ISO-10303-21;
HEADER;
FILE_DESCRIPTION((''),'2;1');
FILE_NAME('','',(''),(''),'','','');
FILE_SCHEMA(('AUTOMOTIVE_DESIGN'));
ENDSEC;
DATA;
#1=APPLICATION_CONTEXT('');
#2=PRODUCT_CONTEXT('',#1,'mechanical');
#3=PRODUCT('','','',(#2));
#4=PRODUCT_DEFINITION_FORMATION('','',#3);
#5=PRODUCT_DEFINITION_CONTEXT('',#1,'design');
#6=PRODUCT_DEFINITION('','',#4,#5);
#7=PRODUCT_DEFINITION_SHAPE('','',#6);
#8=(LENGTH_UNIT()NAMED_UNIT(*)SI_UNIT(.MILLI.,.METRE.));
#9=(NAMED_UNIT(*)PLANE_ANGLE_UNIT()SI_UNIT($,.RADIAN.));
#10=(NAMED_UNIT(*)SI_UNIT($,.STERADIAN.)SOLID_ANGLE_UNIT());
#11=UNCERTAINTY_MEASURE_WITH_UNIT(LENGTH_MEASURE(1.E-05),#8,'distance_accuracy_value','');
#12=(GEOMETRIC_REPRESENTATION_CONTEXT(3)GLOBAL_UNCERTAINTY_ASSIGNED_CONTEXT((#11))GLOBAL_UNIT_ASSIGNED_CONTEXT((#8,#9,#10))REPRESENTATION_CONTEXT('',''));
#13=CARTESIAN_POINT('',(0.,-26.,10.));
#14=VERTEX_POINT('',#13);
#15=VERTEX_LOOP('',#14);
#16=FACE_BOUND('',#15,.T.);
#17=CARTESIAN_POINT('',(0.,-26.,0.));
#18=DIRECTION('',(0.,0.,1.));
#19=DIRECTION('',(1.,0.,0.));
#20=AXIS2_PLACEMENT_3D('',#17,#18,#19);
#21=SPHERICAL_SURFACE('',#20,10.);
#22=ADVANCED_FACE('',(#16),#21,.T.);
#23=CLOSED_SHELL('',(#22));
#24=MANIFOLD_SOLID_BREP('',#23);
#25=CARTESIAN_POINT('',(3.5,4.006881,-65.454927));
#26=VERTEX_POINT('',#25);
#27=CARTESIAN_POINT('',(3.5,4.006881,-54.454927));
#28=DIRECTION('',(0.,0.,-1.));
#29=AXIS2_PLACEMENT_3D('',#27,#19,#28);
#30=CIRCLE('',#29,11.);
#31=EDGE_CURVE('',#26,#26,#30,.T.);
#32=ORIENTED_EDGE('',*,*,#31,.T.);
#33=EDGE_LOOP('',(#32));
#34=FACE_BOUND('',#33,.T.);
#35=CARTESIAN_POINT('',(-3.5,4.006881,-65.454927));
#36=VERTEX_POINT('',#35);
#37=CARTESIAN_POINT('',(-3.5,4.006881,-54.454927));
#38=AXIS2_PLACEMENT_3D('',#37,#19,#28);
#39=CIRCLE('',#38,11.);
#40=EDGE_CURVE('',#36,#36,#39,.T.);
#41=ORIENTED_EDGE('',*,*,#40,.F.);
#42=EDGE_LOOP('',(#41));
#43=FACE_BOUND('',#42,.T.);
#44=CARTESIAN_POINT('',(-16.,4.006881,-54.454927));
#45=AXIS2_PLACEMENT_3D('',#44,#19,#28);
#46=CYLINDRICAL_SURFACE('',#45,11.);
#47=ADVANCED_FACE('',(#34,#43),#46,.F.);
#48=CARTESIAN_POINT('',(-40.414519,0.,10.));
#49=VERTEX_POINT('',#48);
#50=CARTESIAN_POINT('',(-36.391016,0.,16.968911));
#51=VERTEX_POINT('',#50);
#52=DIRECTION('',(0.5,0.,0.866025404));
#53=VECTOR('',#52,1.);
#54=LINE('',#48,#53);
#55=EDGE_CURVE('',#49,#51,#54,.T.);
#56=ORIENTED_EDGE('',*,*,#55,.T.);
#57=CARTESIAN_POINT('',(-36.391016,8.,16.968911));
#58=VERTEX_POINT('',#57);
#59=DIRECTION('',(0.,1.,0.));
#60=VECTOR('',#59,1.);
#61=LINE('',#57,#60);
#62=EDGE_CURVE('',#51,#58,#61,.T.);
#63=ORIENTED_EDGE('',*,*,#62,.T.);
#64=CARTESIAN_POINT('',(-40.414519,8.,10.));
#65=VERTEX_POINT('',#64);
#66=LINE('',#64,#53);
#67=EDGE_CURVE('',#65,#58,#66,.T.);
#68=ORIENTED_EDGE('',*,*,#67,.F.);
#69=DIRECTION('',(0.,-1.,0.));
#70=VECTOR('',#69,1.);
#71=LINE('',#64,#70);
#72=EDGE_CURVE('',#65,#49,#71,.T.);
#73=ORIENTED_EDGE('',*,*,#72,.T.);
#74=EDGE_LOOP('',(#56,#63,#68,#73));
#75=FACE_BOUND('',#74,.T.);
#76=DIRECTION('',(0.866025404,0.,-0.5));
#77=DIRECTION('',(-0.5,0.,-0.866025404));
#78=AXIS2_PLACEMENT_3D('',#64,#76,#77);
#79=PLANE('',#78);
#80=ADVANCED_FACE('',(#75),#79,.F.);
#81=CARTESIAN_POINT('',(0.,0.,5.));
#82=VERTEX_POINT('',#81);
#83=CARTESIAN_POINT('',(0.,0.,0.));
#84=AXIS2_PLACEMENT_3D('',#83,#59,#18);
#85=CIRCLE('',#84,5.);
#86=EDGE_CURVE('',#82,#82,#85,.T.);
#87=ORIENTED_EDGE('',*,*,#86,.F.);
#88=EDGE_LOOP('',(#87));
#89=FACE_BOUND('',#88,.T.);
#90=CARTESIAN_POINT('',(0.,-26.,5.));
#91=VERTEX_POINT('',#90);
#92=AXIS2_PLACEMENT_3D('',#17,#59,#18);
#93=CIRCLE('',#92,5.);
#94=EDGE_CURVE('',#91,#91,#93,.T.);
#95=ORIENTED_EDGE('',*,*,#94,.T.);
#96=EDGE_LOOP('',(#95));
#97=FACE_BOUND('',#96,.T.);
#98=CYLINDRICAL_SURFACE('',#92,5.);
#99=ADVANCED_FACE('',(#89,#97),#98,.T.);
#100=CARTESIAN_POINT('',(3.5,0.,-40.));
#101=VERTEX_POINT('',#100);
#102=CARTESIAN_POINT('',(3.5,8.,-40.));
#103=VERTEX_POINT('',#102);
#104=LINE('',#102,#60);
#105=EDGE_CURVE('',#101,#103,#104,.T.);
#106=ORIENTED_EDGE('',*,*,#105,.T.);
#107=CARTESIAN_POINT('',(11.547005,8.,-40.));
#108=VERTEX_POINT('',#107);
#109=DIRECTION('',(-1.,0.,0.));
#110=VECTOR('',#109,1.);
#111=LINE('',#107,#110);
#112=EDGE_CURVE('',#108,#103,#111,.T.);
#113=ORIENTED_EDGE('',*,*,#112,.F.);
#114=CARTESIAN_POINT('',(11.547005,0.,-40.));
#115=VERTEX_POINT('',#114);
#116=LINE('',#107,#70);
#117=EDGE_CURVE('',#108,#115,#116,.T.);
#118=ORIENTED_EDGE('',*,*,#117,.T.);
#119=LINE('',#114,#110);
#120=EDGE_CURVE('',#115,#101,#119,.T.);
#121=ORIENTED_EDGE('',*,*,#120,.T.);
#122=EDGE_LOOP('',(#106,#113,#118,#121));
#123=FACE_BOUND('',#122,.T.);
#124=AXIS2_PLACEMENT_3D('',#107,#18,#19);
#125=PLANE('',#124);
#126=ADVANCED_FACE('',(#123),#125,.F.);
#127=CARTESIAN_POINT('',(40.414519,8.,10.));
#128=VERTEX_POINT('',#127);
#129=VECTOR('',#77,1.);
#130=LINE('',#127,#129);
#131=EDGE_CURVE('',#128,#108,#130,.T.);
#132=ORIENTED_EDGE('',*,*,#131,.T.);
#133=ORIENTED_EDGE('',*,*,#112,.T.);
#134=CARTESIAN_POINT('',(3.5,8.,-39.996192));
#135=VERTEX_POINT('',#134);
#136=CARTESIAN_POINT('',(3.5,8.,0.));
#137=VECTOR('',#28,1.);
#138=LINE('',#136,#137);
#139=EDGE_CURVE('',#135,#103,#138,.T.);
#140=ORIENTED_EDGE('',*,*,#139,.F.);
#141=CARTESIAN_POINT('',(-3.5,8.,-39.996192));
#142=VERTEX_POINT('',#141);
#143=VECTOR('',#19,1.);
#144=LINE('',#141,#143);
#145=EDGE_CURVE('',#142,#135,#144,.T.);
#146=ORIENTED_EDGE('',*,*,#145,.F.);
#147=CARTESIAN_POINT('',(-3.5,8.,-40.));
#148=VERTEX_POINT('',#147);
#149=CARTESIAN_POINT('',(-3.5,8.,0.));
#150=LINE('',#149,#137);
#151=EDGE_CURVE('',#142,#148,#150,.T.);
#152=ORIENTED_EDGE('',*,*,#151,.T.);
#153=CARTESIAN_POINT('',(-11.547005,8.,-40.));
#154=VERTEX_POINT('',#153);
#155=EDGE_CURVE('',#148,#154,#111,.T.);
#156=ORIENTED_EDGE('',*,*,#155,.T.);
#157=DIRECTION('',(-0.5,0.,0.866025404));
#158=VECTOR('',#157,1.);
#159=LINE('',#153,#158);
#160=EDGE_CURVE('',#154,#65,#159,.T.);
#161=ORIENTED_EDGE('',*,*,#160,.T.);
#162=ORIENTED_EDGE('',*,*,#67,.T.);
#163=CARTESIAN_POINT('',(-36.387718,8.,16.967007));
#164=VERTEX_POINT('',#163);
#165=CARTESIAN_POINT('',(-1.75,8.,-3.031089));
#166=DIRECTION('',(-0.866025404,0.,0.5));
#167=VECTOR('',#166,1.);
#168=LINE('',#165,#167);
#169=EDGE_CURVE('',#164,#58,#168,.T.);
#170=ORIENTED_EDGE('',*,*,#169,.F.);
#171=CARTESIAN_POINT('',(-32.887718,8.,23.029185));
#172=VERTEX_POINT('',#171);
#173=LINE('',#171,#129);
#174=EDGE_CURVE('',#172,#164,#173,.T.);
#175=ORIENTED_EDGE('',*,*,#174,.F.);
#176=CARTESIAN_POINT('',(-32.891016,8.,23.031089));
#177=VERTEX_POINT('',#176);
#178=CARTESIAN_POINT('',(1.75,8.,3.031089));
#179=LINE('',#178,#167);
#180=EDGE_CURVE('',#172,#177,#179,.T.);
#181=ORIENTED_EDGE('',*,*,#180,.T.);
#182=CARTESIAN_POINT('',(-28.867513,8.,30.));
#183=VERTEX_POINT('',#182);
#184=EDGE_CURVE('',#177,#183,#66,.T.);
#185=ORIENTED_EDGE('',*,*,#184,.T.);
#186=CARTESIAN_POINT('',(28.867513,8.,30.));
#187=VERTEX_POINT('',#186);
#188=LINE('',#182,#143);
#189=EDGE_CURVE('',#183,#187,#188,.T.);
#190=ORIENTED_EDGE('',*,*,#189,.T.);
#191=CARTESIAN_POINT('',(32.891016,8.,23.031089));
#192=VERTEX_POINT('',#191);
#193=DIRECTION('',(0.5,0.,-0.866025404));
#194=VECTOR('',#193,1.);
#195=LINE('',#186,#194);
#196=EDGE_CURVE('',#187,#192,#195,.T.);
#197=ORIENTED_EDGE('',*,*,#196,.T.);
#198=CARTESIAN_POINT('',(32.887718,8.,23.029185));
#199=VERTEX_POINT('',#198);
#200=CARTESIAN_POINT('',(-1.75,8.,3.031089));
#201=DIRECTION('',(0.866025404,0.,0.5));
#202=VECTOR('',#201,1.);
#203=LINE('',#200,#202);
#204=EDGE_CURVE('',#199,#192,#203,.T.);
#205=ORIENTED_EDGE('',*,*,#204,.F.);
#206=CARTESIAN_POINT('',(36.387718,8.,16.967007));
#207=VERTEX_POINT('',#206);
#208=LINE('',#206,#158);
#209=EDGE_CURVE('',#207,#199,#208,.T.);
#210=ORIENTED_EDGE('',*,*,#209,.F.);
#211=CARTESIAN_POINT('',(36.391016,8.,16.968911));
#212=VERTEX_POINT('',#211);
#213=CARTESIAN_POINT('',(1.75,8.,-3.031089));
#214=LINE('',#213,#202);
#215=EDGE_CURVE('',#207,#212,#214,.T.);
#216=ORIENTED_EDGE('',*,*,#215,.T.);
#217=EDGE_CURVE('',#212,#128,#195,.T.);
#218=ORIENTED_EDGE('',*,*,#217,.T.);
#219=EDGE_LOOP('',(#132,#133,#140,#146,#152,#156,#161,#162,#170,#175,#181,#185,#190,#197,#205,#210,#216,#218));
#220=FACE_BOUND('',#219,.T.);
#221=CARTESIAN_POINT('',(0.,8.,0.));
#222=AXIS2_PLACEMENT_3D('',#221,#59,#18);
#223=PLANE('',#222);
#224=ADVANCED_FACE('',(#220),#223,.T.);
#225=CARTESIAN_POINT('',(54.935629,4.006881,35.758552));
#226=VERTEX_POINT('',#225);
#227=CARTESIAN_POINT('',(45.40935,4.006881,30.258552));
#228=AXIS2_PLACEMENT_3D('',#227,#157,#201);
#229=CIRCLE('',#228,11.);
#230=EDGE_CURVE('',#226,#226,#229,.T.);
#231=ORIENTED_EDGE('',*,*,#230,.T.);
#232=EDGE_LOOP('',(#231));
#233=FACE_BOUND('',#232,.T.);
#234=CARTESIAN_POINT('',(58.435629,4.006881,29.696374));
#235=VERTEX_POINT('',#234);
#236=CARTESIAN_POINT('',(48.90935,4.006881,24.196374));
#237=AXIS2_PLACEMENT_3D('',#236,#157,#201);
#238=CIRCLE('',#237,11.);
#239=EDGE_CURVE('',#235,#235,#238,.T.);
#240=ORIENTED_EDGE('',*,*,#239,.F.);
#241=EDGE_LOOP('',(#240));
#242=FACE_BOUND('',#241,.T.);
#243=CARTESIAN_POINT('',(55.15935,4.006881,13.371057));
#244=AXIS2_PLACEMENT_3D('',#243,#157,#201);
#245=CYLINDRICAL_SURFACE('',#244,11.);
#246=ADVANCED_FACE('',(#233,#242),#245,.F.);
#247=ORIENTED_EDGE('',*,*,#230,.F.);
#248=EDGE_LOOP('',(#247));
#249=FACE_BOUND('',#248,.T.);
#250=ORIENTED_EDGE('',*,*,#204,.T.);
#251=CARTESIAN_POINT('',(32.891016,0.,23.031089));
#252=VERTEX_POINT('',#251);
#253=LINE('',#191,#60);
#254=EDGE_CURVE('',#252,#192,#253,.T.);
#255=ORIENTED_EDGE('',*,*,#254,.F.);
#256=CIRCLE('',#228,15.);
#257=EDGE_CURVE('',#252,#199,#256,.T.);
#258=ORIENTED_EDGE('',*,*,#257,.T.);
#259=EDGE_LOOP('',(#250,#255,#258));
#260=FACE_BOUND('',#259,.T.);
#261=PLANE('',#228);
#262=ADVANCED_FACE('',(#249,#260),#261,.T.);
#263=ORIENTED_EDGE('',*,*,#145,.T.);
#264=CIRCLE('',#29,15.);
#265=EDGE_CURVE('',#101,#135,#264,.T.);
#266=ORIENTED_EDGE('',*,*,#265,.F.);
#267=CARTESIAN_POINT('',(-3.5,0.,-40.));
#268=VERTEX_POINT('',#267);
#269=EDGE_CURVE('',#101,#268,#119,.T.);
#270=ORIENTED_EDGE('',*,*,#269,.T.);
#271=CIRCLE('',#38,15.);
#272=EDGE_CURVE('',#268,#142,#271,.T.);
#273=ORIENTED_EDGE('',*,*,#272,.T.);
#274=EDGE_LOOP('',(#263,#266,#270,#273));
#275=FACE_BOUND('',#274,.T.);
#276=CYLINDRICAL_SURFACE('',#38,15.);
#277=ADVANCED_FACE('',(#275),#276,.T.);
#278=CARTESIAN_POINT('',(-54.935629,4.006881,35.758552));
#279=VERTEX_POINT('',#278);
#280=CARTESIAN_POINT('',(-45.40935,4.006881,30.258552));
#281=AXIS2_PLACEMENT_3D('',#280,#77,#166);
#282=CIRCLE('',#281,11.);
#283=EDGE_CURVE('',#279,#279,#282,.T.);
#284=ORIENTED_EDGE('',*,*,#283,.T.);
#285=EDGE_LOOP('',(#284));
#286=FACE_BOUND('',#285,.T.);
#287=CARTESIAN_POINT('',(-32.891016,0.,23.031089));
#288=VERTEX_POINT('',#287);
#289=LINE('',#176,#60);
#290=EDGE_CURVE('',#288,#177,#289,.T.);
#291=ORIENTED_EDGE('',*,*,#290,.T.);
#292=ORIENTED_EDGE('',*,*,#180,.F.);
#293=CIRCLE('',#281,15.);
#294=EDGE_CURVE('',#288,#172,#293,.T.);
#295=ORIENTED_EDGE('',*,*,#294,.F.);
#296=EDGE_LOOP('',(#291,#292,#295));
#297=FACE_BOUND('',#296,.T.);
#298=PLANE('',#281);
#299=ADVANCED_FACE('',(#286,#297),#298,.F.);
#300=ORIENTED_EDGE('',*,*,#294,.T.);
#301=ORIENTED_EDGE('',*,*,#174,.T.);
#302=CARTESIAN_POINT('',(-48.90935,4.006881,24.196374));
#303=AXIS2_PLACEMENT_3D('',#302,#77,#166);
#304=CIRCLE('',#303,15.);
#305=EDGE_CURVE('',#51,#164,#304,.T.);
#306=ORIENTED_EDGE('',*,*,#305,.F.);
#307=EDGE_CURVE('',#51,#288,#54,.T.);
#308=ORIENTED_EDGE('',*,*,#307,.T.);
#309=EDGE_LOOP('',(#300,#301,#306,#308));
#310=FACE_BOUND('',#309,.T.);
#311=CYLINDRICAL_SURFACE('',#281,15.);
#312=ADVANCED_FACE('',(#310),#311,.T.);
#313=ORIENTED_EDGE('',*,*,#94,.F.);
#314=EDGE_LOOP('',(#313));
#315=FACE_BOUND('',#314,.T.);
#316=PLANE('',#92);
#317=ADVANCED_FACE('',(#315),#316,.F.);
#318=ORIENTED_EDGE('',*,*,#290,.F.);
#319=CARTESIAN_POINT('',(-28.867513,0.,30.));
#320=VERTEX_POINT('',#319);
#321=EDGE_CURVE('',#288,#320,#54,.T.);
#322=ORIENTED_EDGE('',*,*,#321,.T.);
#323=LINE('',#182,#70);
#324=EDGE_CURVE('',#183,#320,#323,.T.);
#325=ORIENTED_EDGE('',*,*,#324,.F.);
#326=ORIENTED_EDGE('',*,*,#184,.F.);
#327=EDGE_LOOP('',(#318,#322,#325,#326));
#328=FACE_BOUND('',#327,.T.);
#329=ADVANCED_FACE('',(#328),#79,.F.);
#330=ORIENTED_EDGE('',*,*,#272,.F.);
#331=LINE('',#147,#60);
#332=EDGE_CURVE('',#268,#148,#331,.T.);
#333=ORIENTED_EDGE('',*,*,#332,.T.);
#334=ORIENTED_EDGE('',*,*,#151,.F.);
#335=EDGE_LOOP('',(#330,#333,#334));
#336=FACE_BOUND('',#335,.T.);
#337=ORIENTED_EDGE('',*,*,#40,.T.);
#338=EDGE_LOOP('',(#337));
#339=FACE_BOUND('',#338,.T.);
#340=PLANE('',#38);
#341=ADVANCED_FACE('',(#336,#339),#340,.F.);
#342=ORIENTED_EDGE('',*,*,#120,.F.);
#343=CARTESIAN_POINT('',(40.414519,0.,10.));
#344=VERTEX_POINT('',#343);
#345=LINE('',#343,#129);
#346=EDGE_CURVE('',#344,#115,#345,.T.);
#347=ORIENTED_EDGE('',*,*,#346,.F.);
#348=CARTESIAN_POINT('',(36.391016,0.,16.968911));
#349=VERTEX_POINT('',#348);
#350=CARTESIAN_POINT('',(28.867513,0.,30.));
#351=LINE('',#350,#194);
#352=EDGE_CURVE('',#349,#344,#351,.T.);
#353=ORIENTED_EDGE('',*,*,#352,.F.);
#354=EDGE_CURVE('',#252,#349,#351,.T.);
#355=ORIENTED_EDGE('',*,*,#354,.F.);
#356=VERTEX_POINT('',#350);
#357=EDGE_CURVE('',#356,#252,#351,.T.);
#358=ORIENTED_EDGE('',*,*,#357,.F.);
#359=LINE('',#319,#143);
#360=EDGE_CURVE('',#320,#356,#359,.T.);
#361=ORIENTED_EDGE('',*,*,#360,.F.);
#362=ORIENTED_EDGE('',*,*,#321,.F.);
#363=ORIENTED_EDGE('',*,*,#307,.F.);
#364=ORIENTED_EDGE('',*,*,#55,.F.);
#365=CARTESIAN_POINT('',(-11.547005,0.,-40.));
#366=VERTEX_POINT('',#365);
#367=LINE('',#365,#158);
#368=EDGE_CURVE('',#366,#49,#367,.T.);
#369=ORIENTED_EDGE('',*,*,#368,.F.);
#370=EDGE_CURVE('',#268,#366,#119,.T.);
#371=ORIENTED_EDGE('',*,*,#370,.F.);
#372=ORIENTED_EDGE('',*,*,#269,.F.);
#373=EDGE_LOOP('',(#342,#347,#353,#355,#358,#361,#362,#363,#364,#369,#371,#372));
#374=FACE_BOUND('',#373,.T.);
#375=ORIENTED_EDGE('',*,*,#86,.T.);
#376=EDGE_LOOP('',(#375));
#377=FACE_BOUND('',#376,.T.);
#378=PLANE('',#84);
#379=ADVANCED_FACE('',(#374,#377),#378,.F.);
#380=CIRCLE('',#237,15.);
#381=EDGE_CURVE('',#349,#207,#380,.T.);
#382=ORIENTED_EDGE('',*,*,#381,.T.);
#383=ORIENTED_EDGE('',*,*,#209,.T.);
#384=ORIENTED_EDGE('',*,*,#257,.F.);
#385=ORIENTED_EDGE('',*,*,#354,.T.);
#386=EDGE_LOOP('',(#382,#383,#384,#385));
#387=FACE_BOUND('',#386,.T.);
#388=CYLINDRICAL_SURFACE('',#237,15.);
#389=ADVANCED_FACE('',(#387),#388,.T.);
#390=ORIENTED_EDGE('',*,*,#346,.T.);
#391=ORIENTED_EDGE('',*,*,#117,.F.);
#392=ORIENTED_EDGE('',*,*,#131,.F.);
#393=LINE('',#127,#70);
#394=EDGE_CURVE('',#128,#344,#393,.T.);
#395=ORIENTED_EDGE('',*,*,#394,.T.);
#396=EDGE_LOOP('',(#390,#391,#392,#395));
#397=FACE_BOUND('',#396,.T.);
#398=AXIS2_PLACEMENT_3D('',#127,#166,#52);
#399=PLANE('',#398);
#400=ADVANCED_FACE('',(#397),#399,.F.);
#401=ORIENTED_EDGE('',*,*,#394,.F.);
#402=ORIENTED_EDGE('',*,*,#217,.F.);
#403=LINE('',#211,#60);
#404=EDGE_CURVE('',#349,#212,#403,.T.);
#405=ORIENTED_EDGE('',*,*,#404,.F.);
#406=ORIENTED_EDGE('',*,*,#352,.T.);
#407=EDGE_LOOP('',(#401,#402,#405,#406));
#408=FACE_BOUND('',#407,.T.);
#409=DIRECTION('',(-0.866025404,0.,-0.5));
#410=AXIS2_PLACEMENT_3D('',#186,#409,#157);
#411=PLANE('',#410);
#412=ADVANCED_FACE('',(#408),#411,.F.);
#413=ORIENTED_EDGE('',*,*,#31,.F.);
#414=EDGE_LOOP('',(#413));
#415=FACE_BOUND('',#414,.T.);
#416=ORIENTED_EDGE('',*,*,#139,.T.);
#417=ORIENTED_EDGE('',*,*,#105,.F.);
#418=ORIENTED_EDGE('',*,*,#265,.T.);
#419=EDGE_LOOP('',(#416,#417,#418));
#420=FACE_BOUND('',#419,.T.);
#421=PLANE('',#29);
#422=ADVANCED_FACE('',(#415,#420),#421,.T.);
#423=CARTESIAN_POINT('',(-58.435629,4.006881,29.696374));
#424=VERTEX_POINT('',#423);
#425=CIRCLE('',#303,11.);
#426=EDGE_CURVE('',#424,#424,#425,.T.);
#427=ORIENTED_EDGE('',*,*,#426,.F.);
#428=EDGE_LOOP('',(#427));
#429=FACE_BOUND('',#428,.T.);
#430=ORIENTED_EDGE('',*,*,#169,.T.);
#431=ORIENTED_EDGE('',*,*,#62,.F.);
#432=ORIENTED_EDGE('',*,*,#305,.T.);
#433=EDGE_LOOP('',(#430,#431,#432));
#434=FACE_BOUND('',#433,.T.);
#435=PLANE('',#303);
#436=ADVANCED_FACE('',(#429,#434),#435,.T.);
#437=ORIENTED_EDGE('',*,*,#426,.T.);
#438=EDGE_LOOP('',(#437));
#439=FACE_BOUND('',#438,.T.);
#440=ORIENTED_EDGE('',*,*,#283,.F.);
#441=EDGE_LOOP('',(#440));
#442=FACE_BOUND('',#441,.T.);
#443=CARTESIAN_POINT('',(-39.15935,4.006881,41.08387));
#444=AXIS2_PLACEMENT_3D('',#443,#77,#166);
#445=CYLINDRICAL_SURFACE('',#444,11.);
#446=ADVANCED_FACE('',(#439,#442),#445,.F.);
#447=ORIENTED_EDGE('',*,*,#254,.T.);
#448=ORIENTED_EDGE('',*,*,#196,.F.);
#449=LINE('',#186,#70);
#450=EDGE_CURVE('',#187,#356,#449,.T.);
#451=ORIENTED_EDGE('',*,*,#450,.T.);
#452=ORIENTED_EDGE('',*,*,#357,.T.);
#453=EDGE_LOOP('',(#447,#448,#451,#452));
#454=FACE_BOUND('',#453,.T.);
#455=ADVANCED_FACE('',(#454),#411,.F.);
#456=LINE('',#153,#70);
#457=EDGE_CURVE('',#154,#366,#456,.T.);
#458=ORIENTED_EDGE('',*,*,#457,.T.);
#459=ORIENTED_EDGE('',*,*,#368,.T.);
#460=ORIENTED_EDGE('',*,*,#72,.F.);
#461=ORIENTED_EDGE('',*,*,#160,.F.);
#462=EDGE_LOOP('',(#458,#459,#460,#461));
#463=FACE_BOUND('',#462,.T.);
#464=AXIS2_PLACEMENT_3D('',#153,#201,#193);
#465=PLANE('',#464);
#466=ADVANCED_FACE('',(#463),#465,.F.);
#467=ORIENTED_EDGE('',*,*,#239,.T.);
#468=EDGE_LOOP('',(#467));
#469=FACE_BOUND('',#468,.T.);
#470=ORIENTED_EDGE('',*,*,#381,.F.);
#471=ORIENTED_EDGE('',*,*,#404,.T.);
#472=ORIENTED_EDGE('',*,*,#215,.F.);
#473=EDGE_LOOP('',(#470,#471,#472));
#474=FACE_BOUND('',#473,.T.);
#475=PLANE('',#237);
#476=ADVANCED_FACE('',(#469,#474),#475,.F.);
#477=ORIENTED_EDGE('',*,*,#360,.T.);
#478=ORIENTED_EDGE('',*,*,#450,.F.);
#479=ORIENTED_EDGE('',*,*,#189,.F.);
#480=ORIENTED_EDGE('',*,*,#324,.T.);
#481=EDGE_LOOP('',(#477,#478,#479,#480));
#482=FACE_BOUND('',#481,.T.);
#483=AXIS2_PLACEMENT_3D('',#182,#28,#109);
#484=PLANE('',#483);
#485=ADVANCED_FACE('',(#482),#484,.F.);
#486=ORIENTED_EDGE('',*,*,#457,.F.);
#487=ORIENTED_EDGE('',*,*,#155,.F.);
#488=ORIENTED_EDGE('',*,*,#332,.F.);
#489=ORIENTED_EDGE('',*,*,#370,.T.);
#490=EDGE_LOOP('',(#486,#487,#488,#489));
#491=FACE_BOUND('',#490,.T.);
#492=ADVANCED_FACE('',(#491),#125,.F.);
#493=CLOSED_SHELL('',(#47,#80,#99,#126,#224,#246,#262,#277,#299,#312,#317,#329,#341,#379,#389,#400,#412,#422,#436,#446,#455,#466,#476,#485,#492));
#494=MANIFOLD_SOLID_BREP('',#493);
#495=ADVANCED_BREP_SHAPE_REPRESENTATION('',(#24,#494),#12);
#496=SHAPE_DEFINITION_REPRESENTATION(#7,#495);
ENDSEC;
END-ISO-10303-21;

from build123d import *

# Parameters (mm, degrees)
BOSS_EXTRUDE1_DEPTH      = 8
SKETCH2_R                = 5
CUT_EXTRUDE1_DEPTH       = 107
BOSS_EXTRUDE2_DEPTH      = 3.5
BOSS_EXTRUDE2_DEPTH_BACK = 3.5
SKETCH3_R                = 15
SKETCH4_R                = 11
CUT_EXTRUDE2_DEPTH       = 19.5
CIRPATTERN1_COUNT        = 3
SKETCH6_R                = 5
BOSS_EXTRUDE3_DEPTH      = 34


with BuildPart() as part:
    # Sketch1 → Boss-Extrude1 (new body)
    with BuildSketch(Plane(origin=(0, 0, 0), x_dir=(1, 0, 0), z_dir=(0, 1, 0))):
        Polygon((-11.547005384, 40), (-40.414518843, -10), (-28.867513459, -30), (28.867513459, -30), (40.414518843, -10), (11.547005384, 40), align=None)
    extrude(amount=BOSS_EXTRUDE1_DEPTH)

    # Sketch2 → Cut-Extrude1 (cut)
    with BuildSketch(Plane(origin=(0, 8, 0), x_dir=(1, 0, 0), z_dir=(0, 1, 0))):
        Circle(SKETCH2_R)
    extrude(amount=-CUT_EXTRUDE1_DEPTH, mode=Mode.SUBTRACT)

    # Sketch3 → Boss-Extrude2 (add, two sides: drawn at the far end of the back side and taken through both)
    with BuildSketch(Plane(origin=(0, 0, 0), x_dir=(0, 0, -1), z_dir=(1, 0, 0)).offset(-BOSS_EXTRUDE2_DEPTH_BACK)):
        with Locations((54.454926612, 4.00688116)):
            Circle(SKETCH3_R)
    extrude(amount=BOSS_EXTRUDE2_DEPTH + BOSS_EXTRUDE2_DEPTH_BACK)

    # Sketch4 → Cut-Extrude2 (cut)
    with BuildSketch(Plane(origin=(3.5, 0, 0), x_dir=(0, 0, -1), z_dir=(1, 0, 0))):
        with Locations((54.454926612, 4.00688116)):
            Circle(SKETCH4_R)
    extrude(amount=-CUT_EXTRUDE2_DEPTH, mode=Mode.SUBTRACT)


with BuildPart() as cirpattern1_1:
    # CirPattern1: pattern copy
    add(part.part.rotate(Axis((0, -99, 0), (0, 1, 0)), 1 * 360 / CIRPATTERN1_COUNT))


with BuildPart() as cirpattern1_2:
    # CirPattern1: pattern copy
    add(part.part.rotate(Axis((0, -99, 0), (0, 1, 0)), 2 * 360 / CIRPATTERN1_COUNT))


with BuildPart() as part_1:
    add(part.part)

    add(cirpattern1_1.part)  # Boss-Extrude3 merges CirPattern1_1

    add(cirpattern1_2.part)  # Boss-Extrude3 merges CirPattern1_2
    # Sketch6 → Boss-Extrude3 (add)
    with BuildSketch(Plane(origin=(0, 8, 0), x_dir=(1, 0, 0), z_dir=(0, 1, 0))):
        Circle(SKETCH6_R)
    extrude(amount=-BOSS_EXTRUDE3_DEPTH)


with BuildPart() as body_2:
    # Sketch8 → Revolve1 (revolve)
    with BuildSketch(Plane(origin=(0, -26, 0), x_dir=(-1, 0, 0), z_dir=(0, -1, 0))):
        with BuildLine():
            Line((0, 10), (0, -10))
            ThreePointArc((0, -10), (10, 0), (0, 10))
        make_face()
    revolve(axis=Axis((0, -26, 0), (0, 0, -1)))


solid = Compound([part_1.part, body_2.part])
